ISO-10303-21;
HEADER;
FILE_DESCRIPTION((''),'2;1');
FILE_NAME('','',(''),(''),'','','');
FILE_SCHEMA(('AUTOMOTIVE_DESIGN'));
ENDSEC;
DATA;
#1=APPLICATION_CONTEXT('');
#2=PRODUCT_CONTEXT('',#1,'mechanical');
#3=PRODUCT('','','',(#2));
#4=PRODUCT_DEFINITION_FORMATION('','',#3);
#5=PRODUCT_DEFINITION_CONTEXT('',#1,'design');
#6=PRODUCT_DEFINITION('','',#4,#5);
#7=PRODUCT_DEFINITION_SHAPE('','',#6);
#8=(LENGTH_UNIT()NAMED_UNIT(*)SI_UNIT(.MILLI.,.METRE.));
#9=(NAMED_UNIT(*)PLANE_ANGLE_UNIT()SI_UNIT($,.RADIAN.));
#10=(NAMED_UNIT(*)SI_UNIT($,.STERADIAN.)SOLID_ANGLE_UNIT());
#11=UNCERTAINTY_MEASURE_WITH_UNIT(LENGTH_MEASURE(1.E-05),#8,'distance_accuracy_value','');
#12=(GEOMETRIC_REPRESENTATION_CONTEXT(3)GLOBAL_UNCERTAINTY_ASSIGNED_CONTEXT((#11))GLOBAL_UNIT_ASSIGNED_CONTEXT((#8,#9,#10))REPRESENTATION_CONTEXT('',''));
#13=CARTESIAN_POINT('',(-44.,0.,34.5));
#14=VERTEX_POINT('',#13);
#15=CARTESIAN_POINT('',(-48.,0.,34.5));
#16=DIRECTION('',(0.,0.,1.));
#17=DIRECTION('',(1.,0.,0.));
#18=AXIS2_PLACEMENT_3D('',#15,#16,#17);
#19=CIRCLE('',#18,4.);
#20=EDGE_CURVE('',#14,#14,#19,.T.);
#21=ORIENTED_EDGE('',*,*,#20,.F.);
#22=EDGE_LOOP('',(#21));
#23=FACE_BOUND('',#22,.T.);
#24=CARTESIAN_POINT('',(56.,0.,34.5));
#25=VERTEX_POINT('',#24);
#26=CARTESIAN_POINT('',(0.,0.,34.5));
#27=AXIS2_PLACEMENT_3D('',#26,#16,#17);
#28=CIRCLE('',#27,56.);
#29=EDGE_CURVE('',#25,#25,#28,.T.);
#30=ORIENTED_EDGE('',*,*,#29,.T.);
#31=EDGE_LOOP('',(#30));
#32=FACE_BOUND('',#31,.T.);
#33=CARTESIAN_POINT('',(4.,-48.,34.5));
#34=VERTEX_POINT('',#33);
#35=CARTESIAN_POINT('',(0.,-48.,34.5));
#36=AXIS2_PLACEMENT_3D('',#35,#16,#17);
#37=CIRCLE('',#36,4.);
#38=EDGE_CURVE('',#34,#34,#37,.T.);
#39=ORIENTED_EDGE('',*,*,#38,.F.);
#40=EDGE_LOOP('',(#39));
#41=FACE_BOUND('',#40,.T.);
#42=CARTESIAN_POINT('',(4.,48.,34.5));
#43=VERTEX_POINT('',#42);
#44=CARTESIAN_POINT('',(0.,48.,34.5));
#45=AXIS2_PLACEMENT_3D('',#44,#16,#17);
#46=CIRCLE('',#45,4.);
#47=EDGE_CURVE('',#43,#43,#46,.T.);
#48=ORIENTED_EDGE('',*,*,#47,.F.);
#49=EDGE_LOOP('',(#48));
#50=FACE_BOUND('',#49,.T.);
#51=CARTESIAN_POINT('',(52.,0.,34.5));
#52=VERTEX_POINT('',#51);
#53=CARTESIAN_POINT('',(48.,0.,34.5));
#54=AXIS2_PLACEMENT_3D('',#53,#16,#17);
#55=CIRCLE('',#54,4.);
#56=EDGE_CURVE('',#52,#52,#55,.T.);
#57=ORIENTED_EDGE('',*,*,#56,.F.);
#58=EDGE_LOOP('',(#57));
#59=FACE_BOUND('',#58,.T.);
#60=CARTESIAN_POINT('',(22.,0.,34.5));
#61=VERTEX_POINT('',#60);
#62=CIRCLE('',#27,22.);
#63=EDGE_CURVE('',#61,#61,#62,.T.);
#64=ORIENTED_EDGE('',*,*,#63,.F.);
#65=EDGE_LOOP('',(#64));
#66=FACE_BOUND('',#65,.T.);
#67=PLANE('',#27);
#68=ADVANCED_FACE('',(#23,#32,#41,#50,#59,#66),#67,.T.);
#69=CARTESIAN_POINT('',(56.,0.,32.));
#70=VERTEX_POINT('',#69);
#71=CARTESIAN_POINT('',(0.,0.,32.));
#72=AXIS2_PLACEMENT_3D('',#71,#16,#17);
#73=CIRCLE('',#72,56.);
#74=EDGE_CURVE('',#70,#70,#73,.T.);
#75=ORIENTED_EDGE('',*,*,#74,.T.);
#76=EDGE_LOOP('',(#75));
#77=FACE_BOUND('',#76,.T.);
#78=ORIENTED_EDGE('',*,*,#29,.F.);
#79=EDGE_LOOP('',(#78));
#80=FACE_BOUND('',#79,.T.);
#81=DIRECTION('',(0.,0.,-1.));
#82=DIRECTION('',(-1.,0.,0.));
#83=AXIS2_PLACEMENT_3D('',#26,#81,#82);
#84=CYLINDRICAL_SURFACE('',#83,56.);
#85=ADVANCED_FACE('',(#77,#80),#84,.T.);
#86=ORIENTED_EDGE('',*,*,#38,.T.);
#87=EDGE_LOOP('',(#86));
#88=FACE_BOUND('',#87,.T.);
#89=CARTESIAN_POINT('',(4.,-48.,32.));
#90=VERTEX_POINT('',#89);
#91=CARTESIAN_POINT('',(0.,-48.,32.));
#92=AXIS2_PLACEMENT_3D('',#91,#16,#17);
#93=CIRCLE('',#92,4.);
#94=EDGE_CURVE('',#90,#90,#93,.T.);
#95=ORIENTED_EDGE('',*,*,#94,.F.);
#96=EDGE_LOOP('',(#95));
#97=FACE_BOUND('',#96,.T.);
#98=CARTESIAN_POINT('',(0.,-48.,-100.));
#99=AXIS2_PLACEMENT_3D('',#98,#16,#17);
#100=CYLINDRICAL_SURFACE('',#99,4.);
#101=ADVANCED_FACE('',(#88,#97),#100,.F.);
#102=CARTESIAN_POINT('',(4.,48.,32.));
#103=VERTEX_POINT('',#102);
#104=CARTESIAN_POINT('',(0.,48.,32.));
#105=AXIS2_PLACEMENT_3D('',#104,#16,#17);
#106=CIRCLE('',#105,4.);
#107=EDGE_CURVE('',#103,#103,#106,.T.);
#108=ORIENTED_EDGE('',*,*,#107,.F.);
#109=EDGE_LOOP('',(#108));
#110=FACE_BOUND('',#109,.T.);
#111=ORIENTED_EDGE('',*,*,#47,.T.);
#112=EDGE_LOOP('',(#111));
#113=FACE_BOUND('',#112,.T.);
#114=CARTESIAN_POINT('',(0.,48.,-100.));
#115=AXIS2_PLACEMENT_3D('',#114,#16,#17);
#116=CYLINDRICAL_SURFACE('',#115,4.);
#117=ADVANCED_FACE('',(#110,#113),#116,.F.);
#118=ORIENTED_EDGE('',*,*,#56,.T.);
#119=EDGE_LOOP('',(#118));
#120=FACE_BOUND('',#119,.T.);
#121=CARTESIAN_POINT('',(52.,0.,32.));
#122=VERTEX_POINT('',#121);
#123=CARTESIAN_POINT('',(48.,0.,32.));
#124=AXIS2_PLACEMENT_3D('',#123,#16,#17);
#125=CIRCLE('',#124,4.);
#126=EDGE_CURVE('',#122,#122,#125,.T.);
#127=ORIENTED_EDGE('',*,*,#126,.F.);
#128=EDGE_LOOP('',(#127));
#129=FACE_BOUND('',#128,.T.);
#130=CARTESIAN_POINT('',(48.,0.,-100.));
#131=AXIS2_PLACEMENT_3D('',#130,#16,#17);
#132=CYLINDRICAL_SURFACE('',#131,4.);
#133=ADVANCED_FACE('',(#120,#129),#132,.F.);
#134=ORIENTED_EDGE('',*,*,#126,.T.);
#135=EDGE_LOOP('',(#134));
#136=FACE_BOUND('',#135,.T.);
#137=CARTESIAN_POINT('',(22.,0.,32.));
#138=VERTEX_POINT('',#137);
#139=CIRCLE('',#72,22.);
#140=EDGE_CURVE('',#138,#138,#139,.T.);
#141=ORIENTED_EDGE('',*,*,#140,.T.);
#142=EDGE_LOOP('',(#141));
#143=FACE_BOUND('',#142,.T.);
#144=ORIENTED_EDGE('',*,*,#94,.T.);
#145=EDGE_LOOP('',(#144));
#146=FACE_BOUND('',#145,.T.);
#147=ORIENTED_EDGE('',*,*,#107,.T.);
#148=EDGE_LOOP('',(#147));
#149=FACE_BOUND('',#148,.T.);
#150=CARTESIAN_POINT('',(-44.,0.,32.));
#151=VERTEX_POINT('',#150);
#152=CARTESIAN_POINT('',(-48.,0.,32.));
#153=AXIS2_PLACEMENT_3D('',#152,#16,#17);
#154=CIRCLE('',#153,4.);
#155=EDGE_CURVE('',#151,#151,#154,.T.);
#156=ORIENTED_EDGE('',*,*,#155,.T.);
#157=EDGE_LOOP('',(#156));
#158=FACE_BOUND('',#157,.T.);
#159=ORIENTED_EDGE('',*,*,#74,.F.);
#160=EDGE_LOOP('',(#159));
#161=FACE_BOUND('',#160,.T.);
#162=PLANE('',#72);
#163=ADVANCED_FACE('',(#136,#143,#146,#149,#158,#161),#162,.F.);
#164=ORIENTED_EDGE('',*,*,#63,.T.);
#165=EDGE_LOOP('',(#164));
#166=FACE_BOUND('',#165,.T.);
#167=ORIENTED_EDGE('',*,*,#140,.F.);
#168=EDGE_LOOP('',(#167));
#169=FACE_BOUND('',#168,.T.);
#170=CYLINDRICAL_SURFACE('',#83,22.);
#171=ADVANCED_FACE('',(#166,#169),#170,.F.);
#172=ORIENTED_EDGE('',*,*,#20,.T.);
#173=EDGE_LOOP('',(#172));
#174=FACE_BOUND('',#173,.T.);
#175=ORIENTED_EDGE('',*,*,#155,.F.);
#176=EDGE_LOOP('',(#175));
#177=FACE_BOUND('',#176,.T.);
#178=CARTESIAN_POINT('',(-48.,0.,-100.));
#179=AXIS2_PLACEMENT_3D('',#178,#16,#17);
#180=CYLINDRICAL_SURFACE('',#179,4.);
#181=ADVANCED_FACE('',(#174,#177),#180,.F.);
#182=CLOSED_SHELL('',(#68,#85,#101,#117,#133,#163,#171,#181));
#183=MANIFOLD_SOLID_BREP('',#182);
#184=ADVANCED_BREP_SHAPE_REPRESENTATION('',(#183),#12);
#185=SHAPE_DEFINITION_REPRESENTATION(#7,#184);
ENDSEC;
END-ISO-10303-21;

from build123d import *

# Parameters (mm, degrees)
CARRIER_REAR_START  = 32
SKETCH_1_R          = 56
SKETCH_1_R_2        = 22
CARRIER_REAR_DEPTH  = 2.5
SKETCH_2_R          = 4
THROUGH_HOLES_DEPTH = 100


with BuildPart() as part:
    # Эскиз1 → Carrier_rear (new body)
    with BuildSketch(Plane.XY.offset(CARRIER_REAR_START)):
        Circle(SKETCH_1_R)
        Circle(SKETCH_1_R_2, mode=Mode.SUBTRACT)
    extrude(amount=CARRIER_REAR_DEPTH)

    # Эскиз2 → Through_holes (cut, symmetric)
    with BuildSketch(Plane.XY):
        with Locations((48, 0)):
            Circle(SKETCH_2_R)
        with Locations((0, 48)):
            Circle(SKETCH_2_R)
        with Locations((-48, 0)):
            Circle(SKETCH_2_R)
        with Locations((0, -48)):
            Circle(SKETCH_2_R)
    extrude(amount=THROUGH_HOLES_DEPTH, both=True, mode=Mode.SUBTRACT)


solid = part.part
